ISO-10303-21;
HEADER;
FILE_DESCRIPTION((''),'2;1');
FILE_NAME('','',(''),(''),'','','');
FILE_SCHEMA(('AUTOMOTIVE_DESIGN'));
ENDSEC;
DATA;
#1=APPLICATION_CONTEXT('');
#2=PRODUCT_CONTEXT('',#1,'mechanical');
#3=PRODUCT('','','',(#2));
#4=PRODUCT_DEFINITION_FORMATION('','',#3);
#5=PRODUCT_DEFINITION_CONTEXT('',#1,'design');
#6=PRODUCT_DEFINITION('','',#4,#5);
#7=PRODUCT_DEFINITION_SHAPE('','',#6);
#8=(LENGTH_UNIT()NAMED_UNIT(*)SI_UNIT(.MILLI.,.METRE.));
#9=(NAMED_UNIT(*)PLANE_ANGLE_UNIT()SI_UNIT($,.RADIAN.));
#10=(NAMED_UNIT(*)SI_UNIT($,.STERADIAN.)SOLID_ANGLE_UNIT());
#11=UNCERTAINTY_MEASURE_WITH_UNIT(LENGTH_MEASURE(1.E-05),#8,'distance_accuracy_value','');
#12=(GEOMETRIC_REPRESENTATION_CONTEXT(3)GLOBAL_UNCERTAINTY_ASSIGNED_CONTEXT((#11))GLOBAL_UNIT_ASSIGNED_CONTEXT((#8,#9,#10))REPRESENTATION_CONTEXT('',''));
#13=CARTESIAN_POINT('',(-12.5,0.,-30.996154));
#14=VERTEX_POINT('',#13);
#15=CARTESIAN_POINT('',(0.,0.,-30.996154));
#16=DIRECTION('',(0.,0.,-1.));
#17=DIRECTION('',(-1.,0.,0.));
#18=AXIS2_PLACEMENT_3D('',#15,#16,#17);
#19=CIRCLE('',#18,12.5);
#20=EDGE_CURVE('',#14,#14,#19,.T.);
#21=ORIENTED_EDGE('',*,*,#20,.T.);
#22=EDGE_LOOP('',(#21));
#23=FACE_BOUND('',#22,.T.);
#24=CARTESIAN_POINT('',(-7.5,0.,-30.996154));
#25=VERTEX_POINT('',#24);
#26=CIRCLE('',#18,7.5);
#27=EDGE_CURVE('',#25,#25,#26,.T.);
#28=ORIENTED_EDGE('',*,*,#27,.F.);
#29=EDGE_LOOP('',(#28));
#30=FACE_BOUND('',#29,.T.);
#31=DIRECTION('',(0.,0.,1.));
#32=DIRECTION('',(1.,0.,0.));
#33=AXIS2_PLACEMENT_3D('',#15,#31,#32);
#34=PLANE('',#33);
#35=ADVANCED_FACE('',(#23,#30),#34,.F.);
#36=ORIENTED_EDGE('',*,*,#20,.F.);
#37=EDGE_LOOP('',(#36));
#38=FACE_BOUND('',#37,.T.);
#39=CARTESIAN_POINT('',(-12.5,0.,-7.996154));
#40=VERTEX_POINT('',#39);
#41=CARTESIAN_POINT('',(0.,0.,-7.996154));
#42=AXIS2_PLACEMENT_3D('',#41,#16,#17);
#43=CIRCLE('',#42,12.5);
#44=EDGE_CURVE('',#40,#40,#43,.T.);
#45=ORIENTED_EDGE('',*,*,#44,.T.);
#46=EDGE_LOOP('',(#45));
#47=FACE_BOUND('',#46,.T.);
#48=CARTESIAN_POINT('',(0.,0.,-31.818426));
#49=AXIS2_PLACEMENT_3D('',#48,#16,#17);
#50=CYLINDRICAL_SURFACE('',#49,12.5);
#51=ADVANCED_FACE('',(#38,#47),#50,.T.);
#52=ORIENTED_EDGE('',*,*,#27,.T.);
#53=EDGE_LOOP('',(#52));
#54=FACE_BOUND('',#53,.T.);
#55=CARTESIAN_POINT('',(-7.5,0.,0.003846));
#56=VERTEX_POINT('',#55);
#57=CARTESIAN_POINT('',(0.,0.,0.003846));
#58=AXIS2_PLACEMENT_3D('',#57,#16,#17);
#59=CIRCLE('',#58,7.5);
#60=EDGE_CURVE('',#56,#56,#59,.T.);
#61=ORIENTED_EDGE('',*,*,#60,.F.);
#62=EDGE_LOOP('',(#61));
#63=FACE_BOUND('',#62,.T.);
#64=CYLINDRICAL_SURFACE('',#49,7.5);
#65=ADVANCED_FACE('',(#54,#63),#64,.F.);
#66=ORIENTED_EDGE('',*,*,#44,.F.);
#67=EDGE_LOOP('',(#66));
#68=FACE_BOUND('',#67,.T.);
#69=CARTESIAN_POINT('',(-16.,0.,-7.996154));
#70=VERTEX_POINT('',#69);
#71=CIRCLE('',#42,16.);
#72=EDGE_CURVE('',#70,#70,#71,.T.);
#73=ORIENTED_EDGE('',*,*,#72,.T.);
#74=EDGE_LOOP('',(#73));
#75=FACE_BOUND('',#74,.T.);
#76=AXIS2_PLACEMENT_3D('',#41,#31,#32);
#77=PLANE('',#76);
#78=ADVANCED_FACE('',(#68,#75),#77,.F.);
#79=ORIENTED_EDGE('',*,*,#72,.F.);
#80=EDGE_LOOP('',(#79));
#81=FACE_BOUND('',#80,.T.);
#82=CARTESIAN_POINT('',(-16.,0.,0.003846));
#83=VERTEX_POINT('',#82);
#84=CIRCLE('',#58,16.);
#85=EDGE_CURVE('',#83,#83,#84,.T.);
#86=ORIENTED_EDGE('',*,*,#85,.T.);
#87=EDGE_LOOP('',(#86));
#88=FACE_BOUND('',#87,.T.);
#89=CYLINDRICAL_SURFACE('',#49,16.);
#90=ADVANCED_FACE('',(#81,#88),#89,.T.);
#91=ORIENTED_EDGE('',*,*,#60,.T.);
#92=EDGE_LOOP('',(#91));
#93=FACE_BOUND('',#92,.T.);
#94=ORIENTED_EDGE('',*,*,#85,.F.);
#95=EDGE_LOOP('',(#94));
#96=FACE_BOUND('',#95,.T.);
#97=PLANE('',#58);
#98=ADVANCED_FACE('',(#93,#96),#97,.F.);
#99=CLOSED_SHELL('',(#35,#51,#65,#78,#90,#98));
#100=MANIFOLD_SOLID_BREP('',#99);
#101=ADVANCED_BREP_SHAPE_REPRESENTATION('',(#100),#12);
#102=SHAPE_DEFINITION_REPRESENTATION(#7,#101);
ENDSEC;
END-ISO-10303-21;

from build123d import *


with BuildPart() as part:
    # Skizze1 → Rotation1 (revolve)
    with BuildSketch(Plane(origin=(0, 0, 0), x_dir=(1, 0, 0), z_dir=(0, 1, 0))):
        Polygon((-16, -0.003845877), (-7.5, -0.003845877), (-7.5, 30.996154123), (-12.5, 30.996154123), (-12.5, 7.996154123), (-16, 7.996154123), align=None)
        Polygon((7.5, 30.996154123), (7.5, -0.003845877), (16, -0.003845877), (16, 7.996154123), (12.5, 7.996154123), (12.5, 30.996154123), align=None)
    revolve(axis=Axis((0, 0, -31.818426175), (0, 0, 1)))


solid = part.part
